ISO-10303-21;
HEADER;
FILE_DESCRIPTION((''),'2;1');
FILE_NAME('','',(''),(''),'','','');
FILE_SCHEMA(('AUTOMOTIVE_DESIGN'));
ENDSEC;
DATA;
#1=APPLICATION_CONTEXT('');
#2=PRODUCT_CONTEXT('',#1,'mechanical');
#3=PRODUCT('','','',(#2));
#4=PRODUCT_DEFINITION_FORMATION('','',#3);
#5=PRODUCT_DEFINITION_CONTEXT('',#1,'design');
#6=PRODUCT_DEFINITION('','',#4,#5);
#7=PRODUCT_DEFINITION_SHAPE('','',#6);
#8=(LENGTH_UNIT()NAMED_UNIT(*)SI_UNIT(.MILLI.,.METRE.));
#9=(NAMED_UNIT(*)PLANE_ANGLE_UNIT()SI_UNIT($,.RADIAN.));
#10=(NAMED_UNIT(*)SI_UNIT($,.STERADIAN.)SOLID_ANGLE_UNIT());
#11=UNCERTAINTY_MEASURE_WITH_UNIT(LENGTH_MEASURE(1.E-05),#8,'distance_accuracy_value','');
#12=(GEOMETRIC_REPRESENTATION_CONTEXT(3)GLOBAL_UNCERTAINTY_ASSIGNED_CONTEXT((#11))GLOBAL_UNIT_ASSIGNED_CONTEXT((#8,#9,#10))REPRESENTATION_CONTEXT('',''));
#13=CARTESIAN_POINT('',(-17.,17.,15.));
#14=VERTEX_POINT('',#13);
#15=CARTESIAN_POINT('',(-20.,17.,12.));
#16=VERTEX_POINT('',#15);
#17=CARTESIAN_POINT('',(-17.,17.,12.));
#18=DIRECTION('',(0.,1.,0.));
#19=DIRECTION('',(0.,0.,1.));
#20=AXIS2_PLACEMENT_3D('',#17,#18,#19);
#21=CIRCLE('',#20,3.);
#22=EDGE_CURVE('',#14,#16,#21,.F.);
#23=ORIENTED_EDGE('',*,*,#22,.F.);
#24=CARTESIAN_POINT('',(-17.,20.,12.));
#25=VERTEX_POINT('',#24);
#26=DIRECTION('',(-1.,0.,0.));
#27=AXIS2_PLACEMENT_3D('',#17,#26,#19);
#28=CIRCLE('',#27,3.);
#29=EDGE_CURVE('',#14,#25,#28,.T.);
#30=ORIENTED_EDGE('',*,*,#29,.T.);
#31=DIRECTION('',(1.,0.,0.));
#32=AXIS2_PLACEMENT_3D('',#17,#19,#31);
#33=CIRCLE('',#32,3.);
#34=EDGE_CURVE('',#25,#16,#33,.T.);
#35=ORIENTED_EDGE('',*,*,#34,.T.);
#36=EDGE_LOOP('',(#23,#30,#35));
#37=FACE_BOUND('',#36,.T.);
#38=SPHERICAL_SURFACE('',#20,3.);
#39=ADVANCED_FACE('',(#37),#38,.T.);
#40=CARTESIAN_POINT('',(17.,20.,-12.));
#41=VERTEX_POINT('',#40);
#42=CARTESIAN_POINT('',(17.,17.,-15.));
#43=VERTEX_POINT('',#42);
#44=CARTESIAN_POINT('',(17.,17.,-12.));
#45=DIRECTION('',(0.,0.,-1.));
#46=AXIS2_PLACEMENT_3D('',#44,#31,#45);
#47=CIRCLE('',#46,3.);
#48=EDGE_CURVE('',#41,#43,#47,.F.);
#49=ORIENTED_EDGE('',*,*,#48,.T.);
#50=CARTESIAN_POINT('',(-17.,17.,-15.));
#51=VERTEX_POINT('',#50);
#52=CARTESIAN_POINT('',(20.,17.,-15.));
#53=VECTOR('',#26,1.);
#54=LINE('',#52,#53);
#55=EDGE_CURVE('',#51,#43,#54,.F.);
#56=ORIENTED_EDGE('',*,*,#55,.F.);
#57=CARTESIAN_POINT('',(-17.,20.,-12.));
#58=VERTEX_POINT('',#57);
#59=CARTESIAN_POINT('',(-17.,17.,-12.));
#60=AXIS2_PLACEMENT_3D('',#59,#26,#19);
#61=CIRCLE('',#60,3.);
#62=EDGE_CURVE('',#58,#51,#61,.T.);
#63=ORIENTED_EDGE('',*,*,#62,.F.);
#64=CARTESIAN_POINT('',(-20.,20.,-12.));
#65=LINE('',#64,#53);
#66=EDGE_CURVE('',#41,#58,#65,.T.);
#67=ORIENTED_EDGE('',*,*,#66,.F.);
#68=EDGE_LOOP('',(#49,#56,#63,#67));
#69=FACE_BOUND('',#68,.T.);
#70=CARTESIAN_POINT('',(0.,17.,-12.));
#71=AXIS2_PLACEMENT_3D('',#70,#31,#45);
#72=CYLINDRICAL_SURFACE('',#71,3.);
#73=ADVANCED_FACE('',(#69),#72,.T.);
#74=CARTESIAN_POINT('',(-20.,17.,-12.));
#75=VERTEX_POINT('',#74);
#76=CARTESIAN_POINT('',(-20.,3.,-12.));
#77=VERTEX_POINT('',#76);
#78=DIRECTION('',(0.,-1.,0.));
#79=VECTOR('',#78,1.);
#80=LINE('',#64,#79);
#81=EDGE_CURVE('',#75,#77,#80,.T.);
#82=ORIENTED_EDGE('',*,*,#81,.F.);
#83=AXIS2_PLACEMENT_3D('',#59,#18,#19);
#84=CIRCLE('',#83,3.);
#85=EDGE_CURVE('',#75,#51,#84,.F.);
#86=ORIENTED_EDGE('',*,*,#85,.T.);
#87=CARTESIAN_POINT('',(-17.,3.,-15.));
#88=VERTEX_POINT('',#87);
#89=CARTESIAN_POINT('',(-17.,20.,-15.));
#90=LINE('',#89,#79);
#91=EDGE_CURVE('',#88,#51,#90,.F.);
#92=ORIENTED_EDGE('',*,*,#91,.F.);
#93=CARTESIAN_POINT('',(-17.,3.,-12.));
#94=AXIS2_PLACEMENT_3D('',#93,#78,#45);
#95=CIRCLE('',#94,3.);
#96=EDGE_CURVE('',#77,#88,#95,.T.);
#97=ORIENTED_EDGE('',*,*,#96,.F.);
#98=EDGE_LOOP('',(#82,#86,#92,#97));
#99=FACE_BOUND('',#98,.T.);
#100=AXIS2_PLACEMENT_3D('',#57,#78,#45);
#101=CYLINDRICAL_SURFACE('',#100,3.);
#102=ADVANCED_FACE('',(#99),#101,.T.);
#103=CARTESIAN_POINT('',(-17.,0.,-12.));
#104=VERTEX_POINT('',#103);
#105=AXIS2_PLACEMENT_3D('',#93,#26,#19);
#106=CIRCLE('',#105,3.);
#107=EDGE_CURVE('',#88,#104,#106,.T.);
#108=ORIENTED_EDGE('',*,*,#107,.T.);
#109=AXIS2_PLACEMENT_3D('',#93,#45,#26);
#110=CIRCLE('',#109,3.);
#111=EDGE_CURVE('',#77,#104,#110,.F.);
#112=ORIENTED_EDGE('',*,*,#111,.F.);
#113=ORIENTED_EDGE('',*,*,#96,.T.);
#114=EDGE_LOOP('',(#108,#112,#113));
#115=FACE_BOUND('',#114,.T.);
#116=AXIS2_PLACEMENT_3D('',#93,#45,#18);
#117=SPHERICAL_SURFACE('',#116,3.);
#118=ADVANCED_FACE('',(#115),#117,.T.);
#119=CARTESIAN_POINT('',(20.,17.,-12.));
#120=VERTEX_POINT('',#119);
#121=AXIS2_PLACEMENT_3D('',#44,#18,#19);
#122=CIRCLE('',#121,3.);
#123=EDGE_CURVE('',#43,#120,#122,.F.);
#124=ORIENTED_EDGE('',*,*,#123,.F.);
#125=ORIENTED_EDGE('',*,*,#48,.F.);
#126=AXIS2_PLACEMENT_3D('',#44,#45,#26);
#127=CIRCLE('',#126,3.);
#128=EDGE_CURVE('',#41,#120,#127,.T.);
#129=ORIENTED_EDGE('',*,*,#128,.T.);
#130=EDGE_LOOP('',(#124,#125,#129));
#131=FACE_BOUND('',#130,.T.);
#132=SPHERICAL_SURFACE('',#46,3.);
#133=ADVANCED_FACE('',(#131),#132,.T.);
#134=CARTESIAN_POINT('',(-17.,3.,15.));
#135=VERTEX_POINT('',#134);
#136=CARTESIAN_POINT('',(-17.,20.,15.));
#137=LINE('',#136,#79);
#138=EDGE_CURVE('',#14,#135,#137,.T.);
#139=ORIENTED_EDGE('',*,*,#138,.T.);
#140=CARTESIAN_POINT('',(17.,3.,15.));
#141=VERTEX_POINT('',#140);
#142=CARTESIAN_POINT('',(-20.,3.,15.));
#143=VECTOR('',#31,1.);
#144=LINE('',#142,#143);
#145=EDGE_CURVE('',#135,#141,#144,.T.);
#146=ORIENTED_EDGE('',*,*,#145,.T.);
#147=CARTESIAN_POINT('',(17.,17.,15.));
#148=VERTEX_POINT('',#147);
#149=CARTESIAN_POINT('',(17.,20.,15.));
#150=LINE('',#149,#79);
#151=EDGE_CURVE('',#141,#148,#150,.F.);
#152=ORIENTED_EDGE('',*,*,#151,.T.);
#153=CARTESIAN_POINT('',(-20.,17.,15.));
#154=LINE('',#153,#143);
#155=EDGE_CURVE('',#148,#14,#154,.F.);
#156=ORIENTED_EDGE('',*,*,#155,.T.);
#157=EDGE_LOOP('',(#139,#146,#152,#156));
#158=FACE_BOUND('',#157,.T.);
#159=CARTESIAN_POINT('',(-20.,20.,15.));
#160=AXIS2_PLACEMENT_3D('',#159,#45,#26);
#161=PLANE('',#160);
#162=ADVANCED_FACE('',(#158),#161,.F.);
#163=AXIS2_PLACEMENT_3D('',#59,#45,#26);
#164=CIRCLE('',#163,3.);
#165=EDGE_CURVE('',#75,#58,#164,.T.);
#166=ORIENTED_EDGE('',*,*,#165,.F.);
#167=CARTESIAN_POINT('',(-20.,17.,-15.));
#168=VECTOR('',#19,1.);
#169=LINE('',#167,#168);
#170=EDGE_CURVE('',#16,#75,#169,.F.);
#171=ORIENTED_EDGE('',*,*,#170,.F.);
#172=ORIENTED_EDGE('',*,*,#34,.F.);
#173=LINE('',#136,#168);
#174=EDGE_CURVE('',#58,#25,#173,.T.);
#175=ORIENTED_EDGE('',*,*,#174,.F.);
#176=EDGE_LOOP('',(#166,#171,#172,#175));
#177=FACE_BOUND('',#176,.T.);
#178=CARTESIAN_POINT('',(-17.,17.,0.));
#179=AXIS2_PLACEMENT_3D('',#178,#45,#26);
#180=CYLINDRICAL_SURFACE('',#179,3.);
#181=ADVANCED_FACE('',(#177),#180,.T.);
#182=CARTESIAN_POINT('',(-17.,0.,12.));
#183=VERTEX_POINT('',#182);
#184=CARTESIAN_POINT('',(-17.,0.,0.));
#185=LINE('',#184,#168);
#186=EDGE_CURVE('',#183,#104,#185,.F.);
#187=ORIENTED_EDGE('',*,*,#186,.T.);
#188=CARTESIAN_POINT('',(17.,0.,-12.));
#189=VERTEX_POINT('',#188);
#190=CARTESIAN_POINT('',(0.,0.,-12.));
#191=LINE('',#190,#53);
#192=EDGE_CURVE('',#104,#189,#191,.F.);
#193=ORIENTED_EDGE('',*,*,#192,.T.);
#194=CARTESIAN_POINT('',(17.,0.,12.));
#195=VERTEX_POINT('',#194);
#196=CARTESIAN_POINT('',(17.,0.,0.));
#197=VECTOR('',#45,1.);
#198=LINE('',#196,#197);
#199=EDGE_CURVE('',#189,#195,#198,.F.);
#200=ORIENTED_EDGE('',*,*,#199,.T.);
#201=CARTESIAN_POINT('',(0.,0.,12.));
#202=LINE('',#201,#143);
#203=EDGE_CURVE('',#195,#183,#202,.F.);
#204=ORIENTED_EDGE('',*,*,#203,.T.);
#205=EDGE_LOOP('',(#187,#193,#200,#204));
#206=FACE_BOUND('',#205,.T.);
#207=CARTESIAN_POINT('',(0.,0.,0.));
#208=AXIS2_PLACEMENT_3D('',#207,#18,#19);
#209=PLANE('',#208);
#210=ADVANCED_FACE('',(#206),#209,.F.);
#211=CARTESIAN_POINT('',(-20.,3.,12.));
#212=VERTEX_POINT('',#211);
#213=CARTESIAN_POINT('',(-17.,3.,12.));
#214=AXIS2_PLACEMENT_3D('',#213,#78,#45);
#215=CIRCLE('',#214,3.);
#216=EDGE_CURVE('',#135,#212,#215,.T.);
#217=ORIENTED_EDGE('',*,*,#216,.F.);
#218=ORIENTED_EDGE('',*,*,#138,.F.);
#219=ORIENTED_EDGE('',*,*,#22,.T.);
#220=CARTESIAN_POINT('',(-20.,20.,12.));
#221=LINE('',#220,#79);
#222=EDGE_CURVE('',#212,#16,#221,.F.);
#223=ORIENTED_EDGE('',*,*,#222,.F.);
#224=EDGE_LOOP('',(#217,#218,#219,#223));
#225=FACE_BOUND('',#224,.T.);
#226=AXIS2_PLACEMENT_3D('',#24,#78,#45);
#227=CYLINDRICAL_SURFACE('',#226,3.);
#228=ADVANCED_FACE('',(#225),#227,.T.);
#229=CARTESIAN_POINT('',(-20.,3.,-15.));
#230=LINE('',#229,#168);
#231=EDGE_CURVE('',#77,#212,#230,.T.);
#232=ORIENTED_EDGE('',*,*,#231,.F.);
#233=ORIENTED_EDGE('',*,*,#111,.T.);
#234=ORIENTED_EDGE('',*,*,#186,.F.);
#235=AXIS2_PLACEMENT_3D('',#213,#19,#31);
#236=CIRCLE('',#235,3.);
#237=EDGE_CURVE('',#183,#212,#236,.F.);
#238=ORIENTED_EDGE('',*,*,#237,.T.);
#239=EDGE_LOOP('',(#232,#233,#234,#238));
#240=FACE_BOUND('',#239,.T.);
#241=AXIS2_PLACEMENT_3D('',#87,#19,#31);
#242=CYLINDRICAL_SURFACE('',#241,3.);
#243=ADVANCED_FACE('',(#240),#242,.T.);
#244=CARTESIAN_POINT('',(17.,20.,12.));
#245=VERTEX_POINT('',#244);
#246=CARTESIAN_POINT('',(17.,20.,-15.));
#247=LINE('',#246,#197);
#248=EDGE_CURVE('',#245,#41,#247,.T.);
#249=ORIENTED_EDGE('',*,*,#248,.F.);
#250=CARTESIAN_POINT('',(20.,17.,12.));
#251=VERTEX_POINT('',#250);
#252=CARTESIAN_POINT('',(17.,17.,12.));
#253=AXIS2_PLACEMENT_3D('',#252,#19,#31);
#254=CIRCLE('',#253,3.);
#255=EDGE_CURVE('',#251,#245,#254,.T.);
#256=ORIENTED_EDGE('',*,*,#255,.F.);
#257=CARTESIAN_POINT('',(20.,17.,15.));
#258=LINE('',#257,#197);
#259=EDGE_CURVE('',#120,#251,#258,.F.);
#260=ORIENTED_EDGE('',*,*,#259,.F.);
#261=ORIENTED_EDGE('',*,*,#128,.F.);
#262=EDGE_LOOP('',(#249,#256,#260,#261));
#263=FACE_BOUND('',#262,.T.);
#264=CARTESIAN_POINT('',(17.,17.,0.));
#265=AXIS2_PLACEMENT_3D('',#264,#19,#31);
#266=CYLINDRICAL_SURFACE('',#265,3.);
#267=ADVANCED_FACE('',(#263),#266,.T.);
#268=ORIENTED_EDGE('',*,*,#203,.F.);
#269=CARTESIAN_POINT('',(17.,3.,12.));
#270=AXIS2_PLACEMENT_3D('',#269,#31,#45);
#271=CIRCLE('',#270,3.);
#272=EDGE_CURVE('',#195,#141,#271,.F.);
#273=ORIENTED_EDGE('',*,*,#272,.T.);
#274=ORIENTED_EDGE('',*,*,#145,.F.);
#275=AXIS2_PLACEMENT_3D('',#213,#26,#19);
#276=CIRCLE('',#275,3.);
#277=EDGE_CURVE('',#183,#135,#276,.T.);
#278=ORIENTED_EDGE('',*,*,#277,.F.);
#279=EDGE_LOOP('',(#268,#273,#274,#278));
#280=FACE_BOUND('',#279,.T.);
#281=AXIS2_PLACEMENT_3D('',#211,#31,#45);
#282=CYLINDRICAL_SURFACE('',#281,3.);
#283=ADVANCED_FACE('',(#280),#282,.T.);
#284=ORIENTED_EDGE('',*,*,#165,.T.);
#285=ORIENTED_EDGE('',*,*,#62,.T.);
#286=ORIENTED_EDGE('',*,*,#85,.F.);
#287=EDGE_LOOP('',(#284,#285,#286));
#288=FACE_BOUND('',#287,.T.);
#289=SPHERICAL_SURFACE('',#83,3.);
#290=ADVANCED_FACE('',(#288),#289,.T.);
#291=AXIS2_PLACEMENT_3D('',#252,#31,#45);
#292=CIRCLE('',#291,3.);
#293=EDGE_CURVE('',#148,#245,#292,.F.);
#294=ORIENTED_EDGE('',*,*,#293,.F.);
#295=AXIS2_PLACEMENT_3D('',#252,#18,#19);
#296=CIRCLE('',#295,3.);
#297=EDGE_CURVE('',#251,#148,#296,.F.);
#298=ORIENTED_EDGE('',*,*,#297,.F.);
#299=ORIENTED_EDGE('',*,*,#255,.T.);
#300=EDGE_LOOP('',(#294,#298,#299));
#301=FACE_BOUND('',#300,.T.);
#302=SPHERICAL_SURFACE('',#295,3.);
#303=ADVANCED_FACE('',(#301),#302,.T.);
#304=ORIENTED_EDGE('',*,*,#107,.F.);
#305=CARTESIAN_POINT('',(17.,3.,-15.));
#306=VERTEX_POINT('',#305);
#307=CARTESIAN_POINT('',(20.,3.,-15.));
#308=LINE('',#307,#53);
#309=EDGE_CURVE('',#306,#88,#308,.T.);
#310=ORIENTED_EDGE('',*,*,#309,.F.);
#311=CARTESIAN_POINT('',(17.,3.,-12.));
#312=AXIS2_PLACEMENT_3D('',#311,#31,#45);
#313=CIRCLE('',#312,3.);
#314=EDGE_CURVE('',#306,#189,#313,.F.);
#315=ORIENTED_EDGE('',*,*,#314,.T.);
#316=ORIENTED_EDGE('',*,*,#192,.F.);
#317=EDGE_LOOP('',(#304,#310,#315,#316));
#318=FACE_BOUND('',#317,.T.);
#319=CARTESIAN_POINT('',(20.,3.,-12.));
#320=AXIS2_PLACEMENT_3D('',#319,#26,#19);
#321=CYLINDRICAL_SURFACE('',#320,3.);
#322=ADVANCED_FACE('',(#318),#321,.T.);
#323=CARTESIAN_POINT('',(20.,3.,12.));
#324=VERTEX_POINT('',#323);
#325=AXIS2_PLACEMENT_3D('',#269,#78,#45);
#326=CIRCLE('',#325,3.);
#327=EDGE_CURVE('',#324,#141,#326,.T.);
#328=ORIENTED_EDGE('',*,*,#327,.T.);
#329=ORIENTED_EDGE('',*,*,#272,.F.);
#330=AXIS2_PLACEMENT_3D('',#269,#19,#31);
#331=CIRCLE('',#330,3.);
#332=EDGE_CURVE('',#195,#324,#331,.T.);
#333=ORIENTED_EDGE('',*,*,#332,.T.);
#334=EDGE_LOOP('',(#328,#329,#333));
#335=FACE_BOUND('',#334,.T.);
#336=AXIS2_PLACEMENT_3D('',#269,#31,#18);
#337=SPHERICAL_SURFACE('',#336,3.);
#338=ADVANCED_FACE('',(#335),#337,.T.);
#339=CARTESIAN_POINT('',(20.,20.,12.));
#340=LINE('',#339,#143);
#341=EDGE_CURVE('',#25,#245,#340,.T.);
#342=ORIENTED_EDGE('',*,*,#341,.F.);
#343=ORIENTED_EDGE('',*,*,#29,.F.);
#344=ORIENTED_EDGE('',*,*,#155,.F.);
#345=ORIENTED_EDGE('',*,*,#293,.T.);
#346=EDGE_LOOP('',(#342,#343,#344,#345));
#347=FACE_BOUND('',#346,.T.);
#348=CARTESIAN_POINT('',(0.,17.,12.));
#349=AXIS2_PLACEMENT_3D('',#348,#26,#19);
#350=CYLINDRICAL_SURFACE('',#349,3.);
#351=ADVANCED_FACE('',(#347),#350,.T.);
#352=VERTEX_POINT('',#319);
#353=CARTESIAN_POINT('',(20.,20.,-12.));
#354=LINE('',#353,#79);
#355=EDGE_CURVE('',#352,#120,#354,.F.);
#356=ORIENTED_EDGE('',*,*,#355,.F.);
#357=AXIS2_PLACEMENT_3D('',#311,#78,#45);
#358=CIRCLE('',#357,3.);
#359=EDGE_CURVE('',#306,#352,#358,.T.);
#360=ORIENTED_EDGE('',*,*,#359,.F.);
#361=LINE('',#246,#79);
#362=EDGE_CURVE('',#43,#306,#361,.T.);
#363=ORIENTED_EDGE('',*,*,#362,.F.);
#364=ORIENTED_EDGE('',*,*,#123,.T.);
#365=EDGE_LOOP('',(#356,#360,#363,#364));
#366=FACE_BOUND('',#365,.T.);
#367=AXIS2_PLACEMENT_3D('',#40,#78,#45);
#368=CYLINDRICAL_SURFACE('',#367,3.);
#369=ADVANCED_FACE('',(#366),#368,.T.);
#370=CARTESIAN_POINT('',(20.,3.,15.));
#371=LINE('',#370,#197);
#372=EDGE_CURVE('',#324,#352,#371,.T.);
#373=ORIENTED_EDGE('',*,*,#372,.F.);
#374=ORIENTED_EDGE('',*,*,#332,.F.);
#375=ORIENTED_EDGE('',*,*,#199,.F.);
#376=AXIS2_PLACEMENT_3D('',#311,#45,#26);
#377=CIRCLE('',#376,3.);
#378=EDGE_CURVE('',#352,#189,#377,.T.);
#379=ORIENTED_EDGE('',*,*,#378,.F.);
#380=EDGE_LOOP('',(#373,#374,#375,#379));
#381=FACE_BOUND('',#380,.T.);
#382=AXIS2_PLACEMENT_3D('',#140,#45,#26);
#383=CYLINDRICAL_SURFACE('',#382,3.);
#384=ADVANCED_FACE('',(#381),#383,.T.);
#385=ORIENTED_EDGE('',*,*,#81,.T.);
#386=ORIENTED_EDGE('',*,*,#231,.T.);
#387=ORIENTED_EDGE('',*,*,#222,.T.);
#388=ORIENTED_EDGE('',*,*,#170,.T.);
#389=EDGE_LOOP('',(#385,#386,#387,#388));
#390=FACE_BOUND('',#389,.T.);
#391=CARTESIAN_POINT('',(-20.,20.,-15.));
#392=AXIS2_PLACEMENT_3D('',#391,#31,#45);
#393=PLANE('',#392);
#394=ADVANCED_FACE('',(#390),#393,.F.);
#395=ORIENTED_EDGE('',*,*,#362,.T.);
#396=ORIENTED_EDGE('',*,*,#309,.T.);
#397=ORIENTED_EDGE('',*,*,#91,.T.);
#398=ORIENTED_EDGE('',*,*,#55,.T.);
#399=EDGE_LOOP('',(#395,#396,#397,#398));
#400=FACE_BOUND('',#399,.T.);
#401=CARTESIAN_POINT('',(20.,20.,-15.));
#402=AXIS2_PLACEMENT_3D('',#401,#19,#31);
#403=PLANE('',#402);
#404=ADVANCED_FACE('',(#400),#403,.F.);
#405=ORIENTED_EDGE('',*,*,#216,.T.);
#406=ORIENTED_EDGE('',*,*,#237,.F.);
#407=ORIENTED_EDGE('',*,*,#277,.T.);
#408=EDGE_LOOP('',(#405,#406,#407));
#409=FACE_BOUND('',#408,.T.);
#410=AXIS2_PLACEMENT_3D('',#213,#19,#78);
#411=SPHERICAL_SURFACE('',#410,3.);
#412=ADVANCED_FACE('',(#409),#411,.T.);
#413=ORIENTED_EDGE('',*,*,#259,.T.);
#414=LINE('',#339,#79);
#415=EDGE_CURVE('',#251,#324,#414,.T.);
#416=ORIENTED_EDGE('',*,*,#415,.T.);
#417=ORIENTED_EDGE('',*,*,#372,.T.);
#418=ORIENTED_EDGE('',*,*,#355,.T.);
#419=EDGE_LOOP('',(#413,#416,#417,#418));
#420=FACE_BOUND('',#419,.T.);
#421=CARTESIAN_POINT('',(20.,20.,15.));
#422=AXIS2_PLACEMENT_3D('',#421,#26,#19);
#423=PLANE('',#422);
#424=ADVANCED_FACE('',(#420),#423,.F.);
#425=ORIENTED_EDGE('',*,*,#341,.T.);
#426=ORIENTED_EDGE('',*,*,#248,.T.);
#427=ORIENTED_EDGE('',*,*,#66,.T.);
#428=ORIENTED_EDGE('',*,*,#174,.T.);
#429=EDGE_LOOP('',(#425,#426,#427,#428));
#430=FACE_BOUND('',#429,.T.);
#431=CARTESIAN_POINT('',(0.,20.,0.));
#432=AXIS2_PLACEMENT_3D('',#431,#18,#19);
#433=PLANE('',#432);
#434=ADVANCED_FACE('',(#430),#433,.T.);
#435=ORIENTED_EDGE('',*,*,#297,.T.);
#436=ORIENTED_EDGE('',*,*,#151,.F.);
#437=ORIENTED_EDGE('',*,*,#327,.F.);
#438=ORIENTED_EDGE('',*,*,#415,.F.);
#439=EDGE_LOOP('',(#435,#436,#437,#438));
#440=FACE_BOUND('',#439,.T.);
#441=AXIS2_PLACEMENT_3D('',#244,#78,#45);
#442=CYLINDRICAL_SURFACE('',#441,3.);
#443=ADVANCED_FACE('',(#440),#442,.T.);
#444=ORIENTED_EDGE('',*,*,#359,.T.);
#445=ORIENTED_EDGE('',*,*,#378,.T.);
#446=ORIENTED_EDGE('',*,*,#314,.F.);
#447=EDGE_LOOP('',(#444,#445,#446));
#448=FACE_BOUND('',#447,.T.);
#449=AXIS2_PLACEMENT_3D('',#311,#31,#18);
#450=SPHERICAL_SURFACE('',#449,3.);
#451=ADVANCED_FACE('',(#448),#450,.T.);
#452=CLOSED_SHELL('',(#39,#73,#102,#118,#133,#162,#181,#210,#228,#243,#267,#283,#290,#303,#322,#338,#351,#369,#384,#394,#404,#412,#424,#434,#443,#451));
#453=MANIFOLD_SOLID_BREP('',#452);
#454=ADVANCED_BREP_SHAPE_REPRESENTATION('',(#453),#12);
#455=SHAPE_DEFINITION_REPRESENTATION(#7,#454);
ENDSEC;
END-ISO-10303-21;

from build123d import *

# Parameters (mm, degrees)
SKETCH1_W           = 40
SKETCH1_H           = 30
BOSS_EXTRUDE1_DEPTH = 20
FILLET1_R           = 3


with BuildPart() as part:
    # Sketch1 → Boss-Extrude1 (new body)
    with BuildSketch(Plane(origin=(0, 0, 0), x_dir=(1, 0, 0), z_dir=(0, 1, 0))):
        Rectangle(SKETCH1_W, SKETCH1_H)
    extrude(amount=BOSS_EXTRUDE1_DEPTH)

    # Fillet1
    fillet1_edges = [part.edges().sort_by_distance(p)[0] for p in [
        (20, 20, 0),
        (0, 20, -15),
        (-20, 20, 0),
        (0, 0, -15),
        (20, 0, 0),
        (0, 0, 15),
        (-20, 0, 0),
        (-20, 10, -15),
        (20, 10, -15),
        (20, 10, 15),
        (-20, 10, 15),
        (0, 20, 15),
    ]]
    fillet(fillet1_edges, radius=FILLET1_R)


solid = part.part
